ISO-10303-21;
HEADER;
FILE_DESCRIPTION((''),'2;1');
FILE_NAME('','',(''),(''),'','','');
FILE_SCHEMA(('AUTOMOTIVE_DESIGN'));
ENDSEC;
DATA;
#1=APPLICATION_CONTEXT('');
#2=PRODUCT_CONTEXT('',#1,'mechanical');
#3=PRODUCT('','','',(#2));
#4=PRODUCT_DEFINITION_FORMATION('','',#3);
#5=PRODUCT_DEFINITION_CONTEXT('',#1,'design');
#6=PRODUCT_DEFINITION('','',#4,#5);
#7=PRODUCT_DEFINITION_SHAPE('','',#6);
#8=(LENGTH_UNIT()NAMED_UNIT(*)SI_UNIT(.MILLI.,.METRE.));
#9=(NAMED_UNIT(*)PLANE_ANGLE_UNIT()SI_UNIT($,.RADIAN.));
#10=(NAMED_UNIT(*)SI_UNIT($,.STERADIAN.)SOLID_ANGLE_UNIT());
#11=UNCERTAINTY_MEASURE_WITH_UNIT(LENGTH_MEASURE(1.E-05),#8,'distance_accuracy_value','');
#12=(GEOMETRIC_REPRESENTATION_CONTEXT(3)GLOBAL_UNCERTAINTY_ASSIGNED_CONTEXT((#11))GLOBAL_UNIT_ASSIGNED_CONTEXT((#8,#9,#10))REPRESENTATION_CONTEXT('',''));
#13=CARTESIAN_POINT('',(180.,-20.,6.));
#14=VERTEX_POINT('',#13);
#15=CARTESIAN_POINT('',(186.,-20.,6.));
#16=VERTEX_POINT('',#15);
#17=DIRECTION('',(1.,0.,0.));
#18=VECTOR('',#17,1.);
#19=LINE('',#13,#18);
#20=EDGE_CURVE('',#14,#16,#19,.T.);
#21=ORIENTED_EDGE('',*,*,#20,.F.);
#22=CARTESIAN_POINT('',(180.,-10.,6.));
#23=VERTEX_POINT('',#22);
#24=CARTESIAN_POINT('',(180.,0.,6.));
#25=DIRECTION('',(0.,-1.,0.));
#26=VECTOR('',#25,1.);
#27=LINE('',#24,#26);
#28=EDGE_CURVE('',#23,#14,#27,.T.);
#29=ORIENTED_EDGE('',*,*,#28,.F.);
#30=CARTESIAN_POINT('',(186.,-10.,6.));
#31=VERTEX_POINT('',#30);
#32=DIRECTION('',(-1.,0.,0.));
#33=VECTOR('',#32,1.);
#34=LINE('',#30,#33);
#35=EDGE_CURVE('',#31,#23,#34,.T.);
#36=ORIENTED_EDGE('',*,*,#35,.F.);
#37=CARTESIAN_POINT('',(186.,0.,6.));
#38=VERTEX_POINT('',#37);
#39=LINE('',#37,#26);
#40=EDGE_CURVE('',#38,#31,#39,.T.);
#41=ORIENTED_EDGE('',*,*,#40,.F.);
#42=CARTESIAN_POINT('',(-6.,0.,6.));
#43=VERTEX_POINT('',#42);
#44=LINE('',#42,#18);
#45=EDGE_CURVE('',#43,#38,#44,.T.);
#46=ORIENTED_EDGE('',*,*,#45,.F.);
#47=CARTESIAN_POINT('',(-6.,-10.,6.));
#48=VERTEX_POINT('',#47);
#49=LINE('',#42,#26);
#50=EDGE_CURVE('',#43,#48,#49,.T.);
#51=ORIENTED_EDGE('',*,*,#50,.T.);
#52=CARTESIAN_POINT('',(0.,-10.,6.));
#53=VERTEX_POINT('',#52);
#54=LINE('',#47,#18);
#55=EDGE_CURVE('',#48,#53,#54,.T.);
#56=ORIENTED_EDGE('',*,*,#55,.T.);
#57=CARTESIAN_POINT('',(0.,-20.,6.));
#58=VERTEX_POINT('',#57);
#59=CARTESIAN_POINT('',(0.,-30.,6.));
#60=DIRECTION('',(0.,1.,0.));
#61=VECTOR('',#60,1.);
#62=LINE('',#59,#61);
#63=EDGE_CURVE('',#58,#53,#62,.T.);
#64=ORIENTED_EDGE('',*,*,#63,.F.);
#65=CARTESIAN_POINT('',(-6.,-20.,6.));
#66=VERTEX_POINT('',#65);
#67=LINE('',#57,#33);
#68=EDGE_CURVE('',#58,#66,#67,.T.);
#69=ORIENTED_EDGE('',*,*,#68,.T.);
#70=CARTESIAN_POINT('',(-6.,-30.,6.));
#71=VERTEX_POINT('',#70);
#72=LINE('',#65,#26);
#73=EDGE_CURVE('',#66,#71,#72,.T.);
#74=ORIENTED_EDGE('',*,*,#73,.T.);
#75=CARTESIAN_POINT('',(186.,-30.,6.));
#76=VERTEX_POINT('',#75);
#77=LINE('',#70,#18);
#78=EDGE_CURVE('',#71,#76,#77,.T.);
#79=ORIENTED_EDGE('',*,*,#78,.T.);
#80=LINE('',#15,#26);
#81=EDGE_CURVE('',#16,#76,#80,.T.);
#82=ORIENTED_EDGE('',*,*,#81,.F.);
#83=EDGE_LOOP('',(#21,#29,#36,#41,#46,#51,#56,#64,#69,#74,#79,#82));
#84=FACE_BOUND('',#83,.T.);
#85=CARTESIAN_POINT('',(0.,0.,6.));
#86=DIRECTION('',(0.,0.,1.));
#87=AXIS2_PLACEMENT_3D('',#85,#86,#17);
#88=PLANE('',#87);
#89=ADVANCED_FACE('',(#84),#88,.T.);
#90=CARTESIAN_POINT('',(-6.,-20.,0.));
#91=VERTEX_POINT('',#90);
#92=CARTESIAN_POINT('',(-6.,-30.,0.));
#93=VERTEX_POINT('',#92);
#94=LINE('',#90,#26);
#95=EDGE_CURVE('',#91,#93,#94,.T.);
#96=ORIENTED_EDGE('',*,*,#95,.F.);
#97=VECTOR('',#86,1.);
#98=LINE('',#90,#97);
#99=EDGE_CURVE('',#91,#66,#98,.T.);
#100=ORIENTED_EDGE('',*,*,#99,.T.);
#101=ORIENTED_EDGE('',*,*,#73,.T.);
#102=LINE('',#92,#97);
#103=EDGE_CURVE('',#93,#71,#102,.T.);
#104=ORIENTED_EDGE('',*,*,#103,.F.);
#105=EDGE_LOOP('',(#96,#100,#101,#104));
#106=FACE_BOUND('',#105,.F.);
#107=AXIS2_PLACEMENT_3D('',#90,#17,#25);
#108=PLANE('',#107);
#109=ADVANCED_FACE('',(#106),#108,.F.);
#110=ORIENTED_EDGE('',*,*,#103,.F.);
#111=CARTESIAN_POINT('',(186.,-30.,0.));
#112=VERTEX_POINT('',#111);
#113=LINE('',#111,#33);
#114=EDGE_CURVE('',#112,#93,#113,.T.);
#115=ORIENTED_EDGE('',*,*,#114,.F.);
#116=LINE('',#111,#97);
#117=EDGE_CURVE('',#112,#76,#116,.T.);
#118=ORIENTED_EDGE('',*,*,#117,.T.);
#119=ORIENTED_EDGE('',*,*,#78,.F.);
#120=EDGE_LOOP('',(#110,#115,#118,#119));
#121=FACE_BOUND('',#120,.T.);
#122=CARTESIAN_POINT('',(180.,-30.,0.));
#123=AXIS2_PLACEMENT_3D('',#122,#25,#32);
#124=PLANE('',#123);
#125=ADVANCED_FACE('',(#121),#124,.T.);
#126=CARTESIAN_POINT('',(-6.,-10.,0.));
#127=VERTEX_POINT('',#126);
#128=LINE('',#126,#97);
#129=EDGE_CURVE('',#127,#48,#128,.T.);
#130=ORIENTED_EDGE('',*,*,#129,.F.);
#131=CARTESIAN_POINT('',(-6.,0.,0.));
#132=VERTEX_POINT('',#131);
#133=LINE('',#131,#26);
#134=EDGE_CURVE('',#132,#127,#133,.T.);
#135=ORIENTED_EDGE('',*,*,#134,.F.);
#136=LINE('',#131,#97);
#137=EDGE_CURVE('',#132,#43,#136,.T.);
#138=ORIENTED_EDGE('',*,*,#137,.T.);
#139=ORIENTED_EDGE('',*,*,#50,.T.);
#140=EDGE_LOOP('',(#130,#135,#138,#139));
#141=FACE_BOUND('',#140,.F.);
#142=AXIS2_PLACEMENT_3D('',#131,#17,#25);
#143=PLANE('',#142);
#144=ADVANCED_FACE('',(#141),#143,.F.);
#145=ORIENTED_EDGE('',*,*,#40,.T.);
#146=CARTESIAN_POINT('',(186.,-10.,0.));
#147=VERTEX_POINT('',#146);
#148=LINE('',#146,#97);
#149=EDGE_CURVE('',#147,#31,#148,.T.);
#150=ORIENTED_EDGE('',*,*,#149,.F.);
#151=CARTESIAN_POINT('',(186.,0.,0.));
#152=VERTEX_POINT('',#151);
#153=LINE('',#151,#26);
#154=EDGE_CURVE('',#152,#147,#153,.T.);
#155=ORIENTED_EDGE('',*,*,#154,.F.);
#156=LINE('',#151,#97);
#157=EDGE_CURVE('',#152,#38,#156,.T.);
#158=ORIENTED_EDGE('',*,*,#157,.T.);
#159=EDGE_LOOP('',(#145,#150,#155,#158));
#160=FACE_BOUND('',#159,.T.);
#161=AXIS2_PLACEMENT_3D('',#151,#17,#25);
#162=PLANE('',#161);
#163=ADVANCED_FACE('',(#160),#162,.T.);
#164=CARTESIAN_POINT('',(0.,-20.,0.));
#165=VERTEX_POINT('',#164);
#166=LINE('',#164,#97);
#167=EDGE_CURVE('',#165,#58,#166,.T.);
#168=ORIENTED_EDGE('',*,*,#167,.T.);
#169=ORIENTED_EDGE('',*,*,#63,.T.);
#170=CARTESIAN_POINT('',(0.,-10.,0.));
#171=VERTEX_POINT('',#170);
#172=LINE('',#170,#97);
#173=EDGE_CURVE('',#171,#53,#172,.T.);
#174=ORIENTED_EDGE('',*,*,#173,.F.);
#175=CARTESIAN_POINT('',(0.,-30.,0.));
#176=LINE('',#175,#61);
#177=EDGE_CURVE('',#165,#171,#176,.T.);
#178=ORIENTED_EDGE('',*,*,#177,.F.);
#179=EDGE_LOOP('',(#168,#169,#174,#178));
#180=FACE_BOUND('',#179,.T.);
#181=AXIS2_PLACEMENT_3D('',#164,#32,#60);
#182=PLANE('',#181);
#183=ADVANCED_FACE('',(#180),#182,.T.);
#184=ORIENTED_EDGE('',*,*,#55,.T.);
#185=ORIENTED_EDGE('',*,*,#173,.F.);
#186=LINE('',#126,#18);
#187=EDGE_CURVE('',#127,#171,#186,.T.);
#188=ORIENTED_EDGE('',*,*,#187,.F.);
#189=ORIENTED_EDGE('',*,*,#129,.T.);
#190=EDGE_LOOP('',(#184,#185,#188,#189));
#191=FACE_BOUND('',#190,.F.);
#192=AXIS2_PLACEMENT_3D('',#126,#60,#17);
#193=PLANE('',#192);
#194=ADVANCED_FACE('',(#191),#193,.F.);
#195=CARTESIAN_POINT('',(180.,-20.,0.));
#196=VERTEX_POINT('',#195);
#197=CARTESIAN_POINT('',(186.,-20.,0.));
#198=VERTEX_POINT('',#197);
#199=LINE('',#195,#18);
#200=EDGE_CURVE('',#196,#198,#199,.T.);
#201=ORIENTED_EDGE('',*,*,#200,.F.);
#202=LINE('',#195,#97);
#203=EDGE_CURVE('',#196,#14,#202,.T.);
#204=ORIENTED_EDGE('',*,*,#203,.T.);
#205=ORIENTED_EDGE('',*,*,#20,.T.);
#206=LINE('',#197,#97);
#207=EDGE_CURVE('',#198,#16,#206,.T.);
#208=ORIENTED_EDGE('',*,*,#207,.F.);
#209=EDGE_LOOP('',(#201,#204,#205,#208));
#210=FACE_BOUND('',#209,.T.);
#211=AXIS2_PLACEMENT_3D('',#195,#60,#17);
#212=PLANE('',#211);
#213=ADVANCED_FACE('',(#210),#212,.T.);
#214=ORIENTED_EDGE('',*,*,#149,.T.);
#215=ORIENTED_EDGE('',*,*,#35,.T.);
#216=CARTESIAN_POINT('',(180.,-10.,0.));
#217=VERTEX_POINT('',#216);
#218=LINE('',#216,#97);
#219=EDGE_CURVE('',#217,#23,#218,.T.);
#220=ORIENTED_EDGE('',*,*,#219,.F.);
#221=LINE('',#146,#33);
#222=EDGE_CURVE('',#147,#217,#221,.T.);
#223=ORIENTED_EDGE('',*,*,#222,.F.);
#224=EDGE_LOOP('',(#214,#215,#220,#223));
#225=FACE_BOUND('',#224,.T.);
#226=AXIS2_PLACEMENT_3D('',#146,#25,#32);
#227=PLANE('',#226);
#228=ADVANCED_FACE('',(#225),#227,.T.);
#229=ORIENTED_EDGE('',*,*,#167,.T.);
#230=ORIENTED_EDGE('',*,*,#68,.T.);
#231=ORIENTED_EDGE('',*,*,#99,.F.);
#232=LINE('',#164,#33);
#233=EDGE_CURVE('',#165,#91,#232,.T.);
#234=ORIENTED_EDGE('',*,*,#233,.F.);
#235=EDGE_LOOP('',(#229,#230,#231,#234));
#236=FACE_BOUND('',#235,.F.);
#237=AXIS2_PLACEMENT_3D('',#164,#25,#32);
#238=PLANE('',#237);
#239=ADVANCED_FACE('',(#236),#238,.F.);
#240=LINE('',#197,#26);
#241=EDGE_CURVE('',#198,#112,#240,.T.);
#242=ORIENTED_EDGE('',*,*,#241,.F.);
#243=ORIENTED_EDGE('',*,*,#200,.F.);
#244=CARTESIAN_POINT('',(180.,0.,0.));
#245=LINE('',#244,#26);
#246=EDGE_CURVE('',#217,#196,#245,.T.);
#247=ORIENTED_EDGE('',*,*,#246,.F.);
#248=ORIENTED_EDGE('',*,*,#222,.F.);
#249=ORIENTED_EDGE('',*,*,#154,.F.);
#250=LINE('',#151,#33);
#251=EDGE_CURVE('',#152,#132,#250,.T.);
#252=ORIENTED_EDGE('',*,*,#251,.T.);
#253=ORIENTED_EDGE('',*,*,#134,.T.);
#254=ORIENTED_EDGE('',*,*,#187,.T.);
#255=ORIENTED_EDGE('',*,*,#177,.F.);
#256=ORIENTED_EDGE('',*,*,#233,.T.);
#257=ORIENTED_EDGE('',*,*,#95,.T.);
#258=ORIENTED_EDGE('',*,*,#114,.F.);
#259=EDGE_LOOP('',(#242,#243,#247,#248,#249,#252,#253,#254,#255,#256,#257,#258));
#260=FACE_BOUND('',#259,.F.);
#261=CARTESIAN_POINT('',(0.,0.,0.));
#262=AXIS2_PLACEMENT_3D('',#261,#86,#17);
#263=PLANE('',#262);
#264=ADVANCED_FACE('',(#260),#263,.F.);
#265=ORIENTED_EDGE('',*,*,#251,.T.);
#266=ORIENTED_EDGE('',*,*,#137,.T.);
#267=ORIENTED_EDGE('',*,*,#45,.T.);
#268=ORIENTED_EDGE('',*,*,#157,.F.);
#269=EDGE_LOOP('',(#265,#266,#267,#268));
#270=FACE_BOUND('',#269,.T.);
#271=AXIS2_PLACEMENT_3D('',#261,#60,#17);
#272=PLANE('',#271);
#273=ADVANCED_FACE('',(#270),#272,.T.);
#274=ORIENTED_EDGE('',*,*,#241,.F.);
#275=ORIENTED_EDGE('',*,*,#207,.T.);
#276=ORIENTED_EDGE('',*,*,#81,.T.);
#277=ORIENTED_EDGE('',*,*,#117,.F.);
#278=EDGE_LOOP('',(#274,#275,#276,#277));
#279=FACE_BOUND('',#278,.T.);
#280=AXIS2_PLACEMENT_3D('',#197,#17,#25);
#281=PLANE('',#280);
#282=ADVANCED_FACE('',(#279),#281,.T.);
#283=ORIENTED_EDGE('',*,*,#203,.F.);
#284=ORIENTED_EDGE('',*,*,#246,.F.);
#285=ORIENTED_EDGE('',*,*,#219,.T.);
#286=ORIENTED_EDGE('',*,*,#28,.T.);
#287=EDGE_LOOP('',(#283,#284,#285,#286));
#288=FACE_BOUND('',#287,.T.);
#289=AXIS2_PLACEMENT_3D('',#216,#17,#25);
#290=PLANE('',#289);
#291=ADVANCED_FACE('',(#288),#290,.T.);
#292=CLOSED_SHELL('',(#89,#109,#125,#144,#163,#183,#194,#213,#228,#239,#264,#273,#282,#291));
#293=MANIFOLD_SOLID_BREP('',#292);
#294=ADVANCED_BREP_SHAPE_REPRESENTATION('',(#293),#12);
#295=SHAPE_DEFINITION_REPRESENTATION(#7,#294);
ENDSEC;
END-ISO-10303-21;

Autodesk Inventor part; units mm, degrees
ref_plane "YZ Plane" through (0, 0, 0) normal (1, 0, 0) x (0, 1, 0)
ref_plane "XZ Plane" through (0, 0, 0) normal (0, 1, 0) x (-1, 0, 0)
ref_plane "XY Plane" through (0, 0, 0) normal (0, 0, 1) x (1, 0, 0)
sketch "Эскиз1" plane through (0, 0, 0) normal (0, 0, 1) x (1, 0, 0)
  line L0 (0, 0) -> (180, 0)
  line L1 (180, 0) -> (180, -30)
  line L2 (180, -30) -> (0, -30)
  line L3 (0, -30) -> (0, 0)
  line L4 (0, 0) -> (-6, 0)
  line L5 (-6, 0) -> (-6, -10)
  line L6 (-6, -10) -> (0, -10)
  line L7 (0, -10) -> (0, 0)
  line L8 (0, -20) -> (-6, -20)
  line L9 (-6, -20) -> (-6, -30)
  line L10 (-6, -30) -> (0, -30)
  line L11 (0, -30) -> (0, -20)
  line L12 (180, 0) -> (186, 0)
  line L13 (186, 0) -> (186, -10)
  line L14 (186, -10) -> (180, -10)
  line L15 (180, -10) -> (180, 0)
  line L16 (180, -30) -> (180, -20)
  line L17 (186, -20) -> (186, -30)
  line L18 (186, -30) -> (180, -30)
  line L19 (180, -20) -> (186, -20)
  dimension "d0" = 180
  dimension "d1" = 30
  dimension "d2" = 10
  dimension "d3" = 6
  dimension "d6" = 20
  dimension "d11" = 6
  dimension "d14" = 20
extrude "Выдавливание1" add sketch "Эскиз1" along normal blind 6
